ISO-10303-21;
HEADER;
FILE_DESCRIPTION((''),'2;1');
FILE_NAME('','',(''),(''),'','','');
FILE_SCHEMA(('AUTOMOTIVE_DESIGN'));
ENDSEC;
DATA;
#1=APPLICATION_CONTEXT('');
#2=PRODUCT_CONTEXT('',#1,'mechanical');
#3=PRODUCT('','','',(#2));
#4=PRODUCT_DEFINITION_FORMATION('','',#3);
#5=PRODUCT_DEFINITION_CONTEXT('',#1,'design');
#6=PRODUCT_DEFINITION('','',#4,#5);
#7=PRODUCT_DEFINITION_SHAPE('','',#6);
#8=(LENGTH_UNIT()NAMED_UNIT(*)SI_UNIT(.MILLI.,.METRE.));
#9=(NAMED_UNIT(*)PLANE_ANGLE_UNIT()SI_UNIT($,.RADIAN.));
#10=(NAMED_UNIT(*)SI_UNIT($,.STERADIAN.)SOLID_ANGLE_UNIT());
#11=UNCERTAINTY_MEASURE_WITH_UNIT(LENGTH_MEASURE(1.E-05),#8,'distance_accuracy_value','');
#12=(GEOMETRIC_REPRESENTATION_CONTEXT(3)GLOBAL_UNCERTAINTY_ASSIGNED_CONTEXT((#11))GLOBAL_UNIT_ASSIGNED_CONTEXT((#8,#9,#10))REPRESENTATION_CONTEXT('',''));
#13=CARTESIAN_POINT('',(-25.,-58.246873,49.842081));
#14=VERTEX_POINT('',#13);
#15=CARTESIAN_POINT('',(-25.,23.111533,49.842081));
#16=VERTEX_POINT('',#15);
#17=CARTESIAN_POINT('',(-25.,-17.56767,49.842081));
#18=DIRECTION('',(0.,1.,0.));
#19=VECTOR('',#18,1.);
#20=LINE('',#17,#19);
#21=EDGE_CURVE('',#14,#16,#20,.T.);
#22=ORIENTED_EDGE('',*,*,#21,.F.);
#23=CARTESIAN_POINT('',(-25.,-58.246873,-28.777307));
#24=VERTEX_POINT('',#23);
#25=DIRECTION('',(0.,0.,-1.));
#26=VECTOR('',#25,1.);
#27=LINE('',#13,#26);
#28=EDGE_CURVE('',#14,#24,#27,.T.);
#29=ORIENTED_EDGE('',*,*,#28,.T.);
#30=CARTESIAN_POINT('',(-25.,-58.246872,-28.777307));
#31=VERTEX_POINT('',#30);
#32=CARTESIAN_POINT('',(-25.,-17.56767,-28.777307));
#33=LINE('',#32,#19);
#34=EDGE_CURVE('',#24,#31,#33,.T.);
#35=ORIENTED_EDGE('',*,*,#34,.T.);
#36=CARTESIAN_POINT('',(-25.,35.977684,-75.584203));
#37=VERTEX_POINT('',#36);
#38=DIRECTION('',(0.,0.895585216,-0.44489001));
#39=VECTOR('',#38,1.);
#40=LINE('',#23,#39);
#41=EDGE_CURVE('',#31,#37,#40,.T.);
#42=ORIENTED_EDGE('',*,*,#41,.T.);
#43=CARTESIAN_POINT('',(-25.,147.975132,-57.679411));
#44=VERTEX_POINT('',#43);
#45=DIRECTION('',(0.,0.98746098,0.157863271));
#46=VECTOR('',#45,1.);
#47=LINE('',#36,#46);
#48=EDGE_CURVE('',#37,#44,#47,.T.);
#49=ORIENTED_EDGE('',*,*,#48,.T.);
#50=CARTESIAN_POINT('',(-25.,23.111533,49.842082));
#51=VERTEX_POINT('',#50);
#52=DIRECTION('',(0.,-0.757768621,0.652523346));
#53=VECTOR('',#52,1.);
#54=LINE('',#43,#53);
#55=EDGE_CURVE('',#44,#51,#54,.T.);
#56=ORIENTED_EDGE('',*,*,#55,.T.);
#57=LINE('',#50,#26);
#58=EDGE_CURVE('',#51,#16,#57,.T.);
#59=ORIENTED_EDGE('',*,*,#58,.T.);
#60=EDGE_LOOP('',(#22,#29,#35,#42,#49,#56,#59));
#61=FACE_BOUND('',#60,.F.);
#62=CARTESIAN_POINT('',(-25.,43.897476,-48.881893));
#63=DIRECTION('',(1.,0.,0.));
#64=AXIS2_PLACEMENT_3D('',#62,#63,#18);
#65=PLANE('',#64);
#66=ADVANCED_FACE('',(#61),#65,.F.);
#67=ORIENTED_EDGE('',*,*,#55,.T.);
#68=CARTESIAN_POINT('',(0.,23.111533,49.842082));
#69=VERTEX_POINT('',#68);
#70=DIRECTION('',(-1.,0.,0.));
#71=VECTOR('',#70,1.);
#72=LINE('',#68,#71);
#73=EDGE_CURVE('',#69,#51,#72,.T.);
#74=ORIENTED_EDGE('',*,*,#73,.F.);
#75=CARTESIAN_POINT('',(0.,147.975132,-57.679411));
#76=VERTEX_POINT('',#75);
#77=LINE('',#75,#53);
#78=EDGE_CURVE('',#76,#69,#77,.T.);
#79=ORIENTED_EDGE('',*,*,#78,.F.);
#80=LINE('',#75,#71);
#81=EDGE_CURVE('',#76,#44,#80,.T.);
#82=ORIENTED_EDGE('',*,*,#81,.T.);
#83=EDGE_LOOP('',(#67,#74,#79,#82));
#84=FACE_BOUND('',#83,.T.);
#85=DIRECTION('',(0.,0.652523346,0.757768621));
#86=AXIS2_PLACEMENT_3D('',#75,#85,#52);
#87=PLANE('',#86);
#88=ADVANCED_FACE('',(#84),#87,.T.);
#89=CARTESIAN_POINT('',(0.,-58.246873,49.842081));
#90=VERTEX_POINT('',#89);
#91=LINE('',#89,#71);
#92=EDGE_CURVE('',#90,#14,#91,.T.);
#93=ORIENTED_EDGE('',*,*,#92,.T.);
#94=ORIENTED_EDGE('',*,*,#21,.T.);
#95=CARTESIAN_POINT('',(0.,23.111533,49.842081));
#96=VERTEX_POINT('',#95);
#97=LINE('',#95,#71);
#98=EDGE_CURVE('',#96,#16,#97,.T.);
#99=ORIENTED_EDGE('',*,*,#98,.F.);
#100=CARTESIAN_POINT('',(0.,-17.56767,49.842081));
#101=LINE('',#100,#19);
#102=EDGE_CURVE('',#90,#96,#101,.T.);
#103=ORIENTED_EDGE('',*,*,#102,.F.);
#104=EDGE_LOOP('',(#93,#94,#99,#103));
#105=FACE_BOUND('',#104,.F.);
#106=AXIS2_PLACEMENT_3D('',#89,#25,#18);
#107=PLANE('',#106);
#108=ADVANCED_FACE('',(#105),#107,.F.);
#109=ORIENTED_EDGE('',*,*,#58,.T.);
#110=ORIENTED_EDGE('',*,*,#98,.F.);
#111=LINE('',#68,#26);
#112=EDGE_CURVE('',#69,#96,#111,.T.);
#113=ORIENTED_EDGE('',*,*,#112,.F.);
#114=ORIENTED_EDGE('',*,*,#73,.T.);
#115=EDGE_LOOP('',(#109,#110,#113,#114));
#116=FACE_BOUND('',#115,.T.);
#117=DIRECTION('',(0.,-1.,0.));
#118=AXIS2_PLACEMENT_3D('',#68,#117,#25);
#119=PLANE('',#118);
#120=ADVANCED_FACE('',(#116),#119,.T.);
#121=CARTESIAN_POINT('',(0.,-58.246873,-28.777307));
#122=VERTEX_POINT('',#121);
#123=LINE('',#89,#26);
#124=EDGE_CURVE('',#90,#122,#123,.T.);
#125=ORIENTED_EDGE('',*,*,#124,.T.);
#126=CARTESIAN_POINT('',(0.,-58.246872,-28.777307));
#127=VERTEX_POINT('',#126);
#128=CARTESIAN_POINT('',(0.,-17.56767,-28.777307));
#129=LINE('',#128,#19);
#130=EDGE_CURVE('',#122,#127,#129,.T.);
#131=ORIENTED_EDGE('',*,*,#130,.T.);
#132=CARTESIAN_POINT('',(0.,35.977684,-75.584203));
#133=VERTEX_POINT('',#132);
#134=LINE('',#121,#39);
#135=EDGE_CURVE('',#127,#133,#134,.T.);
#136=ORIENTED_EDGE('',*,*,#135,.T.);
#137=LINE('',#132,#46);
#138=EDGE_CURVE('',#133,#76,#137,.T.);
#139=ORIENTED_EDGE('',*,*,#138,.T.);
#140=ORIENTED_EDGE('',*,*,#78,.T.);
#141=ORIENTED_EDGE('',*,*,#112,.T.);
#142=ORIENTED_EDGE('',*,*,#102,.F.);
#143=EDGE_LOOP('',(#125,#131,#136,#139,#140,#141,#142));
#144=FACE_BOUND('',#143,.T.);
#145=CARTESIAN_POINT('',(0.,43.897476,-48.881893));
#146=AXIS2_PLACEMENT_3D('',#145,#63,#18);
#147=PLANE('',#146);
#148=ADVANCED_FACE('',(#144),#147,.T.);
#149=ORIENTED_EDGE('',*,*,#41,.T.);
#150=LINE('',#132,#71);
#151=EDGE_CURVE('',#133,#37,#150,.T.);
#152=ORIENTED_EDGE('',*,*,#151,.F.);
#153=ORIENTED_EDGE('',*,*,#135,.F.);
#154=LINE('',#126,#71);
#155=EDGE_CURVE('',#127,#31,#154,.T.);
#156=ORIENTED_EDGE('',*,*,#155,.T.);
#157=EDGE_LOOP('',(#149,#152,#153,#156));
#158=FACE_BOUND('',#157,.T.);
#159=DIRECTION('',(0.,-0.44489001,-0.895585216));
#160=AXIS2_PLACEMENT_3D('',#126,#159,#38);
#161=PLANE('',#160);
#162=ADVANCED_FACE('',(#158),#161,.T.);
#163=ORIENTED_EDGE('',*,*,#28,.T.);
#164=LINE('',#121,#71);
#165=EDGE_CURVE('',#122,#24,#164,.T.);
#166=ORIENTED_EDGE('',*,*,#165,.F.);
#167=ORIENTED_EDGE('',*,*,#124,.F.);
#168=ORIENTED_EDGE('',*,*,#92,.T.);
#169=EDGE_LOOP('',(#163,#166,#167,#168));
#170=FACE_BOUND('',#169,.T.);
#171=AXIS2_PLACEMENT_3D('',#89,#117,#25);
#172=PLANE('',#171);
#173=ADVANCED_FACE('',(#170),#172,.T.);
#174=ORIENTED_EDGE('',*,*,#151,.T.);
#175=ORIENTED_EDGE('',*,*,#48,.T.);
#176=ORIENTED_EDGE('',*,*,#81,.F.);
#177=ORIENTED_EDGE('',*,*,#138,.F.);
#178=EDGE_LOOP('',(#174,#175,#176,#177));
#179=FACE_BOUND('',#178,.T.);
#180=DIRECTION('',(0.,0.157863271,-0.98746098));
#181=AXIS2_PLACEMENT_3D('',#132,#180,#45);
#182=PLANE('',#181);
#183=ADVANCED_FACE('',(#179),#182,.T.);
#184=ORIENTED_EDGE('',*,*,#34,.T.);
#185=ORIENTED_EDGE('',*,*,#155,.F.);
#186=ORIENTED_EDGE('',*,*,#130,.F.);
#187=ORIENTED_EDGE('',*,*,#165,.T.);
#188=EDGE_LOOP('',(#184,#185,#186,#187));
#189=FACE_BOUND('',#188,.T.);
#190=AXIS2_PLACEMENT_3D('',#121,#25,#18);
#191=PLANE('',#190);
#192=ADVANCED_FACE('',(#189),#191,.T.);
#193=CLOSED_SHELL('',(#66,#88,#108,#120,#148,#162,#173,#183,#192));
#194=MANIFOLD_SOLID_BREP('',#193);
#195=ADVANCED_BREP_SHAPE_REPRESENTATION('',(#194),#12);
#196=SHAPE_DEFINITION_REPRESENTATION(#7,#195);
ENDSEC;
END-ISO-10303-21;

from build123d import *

# Parameters (mm, degrees)
F0_W     = 81.358406
F0_H     = 78.619389
F1_DEPTH = 25


with BuildPart() as f1:
    # F0 (on Right) → F1 (new body)
    with BuildSketch(Plane.YZ):
        Polygon((23.111533, -28.777307), (-58.246873, -28.777307), (35.977684, -75.584203), (147.975132, -57.679411), align=None)
        Polygon((147.975132, -57.679411), (23.111533, 49.842082), (23.111533, -28.777307), align=None)
        with Locations((-17.56767, 10.532387)):
            Rectangle(F0_W, F0_H)
    extrude(amount=-F1_DEPTH)


solid = f1.part
